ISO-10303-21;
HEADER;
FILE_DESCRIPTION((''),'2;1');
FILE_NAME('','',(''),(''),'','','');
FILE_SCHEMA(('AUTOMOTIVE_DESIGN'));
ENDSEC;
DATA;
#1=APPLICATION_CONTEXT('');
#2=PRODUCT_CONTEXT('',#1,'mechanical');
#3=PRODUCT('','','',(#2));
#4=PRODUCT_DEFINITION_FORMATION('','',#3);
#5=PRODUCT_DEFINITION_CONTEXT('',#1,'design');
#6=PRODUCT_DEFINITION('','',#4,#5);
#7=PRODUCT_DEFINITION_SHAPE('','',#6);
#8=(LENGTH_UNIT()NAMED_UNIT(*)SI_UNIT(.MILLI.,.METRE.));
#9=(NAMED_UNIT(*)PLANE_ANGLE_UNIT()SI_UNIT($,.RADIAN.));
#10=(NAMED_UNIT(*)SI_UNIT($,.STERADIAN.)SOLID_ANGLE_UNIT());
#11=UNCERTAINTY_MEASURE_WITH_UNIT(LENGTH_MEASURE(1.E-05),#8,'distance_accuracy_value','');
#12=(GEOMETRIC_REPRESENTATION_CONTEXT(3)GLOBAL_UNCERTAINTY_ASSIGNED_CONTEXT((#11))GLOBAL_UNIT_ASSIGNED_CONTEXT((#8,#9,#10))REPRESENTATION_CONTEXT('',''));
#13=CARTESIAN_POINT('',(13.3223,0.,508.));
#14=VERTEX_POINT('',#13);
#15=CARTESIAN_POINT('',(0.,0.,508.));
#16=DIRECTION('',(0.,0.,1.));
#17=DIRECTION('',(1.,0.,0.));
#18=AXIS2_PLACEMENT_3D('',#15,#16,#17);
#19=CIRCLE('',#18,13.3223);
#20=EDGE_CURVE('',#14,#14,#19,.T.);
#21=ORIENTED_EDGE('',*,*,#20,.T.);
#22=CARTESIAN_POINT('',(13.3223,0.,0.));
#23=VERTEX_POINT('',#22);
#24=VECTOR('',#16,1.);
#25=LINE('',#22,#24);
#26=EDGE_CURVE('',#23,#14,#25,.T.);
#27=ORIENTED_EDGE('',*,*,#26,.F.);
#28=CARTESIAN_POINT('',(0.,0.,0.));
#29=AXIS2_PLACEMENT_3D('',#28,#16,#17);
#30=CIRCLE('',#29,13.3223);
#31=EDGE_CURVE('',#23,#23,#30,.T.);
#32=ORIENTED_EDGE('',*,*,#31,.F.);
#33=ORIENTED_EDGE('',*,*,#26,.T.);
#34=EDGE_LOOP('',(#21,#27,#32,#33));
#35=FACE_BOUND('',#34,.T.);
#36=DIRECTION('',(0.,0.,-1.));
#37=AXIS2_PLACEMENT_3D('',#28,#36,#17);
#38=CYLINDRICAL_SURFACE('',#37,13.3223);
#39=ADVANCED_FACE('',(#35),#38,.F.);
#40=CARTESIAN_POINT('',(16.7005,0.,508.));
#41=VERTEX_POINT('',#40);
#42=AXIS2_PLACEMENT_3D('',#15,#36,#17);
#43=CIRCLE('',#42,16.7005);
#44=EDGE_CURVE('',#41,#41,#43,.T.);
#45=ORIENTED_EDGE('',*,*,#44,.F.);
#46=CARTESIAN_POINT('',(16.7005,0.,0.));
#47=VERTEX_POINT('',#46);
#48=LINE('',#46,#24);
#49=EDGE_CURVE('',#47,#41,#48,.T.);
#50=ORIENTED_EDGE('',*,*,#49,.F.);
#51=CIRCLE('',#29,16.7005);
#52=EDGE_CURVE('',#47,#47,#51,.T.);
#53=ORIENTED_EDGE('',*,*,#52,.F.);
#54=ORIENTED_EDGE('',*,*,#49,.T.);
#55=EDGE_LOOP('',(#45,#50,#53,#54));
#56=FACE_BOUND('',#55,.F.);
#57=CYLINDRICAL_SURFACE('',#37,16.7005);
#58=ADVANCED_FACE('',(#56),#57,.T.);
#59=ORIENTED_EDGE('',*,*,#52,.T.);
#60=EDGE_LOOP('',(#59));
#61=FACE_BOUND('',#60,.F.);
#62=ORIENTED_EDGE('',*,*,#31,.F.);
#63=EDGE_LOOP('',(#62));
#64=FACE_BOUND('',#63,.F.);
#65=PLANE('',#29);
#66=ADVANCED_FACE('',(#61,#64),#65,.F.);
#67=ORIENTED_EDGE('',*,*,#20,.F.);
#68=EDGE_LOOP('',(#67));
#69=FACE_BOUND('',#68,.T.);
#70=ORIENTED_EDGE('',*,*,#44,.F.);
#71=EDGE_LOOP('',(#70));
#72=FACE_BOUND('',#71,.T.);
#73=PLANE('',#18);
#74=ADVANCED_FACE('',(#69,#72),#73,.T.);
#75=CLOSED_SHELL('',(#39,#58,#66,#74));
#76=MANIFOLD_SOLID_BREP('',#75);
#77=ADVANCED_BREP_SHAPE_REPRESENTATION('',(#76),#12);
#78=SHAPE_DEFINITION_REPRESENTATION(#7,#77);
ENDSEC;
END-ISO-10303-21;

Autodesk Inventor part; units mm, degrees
ref_plane "Start plane" through (0, 0, 0) normal (0, 0, 1) x (1, 0, 0)
ref_plane "End plane" through (0, 0, 508) normal (0, 0, 1) x (1, 0, 0)
sketch "Sketch" plane through (0, 0, 0) normal (0, 0, 1) x (1, 0, 0)
  circle A0 centre (0, 0) radius 13.3223
  circle A1 centre (0, 0) radius 16.7005
  dimension "d0" = 33.401
  dimension "d1" = 3.3782
extrude "Body" add sketch "Sketch" along normal up to surface (508 mm away) from surface at 0
sketch "Sketch3" plane through (0, 0, 0) normal (0, 0, 1) x (1, 0, 0)
  line L0 (0, 0) -> (10, 0)
ref_plane "Work Plane3" through (0, 0, 0) normal (0, -1, 0) x (1, 0, 0)
sketch "Sketch4" plane through (0, 0, 0) normal (0, -1, 0) x (1, 0, 0)
  line L0 (-2, 0) -> (12, 0)
  line L1 (-2, 508) -> (12, 508)
  dimension "d7" = 508
ref_plane "Work Plane4" through (0, 2152.7347, 541.401) normal (0, 0.7071, -0.7071) x (1, 0, 0)
ref_plane "Work Plane5" through (0, -10897.2773, 541.401) normal (0, -0.7071, -0.7071) x (1, 0, 0)
ref_plane "Work Plane6" through (0, -4372.2713, 524.7005) normal (0, -1, 0) x (1, 0, 0)
sketch "Sketch5" plane through (0, -4372.2713, 524.7005) normal (0, -1, 0) x (1, 0, 0)
  circle A0 centre (0, 0) radius 16.7005
  circle A1 centre (0, 0) radius 13.3223
extrude "Extrusion2" cut sketch "Sketch5" along normal up to surface from surface at -6525.006 contours A0 | A1 surface through (0, -10897.2773, 541.401) normal (0, -0.7071, -0.7071)
equation "\"d0\" = G_H"
equation "\"d1\" = G_T"
equation "\"d2\" = G_L"
equation "\"G_H\" = 33.401"
equation "\"G_T\" = 3.3782"
equation "\"G_L\" = d7"
equation "\"G_OFFSET_START\" = 0"
equation "\"G_OFFSET_END\" = 0"
equation "\"d5\" = G_OFFSET_END + B_L"
equation "\"B_L\" = 508"
properties part number "ANSI - 1 x 0.133 - 20" material "Aluminum 6061"
